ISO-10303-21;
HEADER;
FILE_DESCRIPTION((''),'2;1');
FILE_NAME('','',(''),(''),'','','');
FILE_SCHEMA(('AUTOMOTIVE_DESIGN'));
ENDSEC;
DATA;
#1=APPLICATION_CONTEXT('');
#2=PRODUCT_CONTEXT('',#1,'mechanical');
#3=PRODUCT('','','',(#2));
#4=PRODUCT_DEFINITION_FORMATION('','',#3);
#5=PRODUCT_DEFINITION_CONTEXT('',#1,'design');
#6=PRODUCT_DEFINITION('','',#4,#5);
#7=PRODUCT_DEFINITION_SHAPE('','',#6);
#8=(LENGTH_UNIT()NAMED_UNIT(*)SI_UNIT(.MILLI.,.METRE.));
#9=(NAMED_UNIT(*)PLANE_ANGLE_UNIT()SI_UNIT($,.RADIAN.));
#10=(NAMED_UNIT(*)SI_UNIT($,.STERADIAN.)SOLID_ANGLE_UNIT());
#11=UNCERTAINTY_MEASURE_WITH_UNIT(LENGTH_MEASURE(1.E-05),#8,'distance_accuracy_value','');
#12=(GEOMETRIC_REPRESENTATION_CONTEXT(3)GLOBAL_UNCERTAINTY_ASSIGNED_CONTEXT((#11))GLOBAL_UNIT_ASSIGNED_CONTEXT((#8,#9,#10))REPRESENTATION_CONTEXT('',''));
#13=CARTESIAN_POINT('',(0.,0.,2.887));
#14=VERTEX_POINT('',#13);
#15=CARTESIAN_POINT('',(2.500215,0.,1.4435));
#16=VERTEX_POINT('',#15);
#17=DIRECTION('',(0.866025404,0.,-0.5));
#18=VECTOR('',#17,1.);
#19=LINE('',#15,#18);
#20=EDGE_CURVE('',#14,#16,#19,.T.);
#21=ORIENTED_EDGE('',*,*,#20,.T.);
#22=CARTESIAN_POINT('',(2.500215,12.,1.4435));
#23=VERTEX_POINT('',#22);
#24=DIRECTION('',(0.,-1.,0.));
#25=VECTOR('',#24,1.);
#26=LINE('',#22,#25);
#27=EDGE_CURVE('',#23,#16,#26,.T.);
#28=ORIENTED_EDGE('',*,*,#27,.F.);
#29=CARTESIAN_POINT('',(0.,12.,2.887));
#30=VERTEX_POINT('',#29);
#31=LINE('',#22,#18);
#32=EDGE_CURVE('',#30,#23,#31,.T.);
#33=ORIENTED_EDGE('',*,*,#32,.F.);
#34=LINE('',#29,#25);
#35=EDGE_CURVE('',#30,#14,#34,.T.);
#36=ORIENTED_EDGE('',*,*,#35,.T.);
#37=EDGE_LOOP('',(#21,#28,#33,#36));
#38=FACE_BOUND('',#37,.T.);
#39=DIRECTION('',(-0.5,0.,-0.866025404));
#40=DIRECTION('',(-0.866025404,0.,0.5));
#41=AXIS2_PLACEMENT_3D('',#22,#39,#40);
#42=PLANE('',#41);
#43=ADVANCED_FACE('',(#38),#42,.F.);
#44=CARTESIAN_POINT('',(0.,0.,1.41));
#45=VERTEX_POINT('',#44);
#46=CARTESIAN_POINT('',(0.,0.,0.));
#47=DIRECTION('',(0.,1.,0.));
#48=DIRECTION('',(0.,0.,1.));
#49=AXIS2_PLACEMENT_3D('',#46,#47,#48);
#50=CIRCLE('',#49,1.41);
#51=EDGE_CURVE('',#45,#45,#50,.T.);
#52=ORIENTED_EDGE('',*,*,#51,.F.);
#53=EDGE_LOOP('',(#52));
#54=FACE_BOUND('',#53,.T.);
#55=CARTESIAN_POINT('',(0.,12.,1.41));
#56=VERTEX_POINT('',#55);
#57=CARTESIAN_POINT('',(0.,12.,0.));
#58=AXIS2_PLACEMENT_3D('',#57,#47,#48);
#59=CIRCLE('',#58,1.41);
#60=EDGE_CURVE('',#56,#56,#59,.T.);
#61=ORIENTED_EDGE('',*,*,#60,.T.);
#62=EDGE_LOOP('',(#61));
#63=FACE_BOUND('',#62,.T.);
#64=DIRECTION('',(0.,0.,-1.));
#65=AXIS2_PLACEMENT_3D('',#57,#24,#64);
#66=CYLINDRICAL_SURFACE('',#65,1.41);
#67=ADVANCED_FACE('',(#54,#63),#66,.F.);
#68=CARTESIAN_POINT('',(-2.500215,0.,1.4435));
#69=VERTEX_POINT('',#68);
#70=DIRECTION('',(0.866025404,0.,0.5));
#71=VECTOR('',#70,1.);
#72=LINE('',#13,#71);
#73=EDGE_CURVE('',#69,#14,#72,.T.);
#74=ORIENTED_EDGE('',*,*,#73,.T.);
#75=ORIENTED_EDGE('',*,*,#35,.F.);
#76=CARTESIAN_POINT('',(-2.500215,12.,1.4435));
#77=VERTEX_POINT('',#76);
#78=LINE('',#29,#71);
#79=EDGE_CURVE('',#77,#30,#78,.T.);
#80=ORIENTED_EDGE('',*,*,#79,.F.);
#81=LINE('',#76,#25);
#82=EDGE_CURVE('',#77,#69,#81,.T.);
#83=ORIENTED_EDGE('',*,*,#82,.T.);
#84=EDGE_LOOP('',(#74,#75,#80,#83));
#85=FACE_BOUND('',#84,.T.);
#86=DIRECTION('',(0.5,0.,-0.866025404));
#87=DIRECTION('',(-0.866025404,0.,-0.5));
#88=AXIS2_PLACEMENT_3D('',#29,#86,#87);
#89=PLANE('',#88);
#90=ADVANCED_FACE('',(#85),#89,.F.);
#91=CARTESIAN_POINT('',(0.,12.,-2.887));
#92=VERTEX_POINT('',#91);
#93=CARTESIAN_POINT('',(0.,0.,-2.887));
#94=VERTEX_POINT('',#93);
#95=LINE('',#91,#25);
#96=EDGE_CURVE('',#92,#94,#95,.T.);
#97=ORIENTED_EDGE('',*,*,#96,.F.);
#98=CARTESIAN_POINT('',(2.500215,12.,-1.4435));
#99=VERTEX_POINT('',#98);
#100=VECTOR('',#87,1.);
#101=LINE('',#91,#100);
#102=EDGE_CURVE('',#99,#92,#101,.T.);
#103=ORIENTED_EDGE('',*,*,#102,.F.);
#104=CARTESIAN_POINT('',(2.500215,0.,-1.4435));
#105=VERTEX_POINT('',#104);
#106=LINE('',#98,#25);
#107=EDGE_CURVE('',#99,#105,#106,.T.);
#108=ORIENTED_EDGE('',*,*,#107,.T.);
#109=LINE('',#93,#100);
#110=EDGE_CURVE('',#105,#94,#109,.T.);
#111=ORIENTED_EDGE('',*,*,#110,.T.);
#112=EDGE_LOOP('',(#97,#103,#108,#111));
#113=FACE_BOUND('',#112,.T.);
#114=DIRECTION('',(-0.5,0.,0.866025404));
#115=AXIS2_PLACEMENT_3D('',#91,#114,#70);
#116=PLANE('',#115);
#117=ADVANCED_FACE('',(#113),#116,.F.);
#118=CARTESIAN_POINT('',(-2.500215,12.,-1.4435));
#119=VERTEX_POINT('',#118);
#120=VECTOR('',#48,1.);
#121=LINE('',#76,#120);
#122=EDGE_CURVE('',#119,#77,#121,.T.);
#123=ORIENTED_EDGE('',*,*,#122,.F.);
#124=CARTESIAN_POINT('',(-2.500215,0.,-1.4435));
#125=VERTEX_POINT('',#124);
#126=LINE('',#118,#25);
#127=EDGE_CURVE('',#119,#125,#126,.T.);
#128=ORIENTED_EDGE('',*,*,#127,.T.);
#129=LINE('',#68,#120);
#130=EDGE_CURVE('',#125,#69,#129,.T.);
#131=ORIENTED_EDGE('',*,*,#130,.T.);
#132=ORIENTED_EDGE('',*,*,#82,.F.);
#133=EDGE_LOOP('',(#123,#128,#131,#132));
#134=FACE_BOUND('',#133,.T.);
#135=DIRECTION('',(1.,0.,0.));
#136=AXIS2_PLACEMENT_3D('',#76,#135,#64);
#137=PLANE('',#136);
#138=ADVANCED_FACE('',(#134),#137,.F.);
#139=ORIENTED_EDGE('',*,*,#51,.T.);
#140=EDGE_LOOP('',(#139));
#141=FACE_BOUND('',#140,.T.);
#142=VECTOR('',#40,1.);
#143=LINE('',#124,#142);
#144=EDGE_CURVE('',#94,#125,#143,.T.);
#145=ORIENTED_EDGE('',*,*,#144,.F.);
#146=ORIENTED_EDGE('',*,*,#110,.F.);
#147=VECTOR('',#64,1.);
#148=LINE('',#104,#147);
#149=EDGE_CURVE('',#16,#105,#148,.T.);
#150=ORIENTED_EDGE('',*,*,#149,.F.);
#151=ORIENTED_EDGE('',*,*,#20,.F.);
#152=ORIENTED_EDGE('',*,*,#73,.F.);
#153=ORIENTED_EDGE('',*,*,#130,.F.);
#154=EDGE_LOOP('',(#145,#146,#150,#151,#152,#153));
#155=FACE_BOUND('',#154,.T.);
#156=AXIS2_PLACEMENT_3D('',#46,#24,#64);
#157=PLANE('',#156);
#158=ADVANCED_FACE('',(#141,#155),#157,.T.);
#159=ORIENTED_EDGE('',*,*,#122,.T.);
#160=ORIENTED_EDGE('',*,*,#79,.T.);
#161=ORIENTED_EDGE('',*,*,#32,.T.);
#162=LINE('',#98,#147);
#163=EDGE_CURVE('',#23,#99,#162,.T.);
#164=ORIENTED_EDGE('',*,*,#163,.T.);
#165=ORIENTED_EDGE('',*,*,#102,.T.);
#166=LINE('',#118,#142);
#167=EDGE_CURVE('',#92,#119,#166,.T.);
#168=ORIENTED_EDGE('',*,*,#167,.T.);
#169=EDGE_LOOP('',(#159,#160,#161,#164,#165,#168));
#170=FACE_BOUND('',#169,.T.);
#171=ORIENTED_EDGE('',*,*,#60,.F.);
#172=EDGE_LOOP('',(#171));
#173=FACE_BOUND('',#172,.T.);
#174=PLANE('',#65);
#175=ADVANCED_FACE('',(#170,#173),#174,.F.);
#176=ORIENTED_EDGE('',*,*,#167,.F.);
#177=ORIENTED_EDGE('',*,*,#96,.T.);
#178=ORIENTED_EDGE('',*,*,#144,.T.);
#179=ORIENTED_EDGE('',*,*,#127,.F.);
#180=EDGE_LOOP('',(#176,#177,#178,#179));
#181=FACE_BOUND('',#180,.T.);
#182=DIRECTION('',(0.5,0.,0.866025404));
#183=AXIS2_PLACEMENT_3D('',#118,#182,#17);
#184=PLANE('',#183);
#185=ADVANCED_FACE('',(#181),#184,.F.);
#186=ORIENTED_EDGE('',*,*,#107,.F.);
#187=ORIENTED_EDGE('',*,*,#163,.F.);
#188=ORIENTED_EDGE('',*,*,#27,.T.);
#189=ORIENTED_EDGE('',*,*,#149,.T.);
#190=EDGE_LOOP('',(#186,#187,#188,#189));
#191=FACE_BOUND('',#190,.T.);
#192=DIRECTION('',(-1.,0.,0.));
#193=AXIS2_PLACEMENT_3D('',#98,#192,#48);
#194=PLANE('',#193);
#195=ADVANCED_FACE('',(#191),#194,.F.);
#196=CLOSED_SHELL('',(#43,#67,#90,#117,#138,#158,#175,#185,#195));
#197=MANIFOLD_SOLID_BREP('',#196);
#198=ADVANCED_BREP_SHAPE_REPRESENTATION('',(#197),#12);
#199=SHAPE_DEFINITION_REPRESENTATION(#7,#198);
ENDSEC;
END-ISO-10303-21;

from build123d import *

# Parameters (mm, degrees)
SKETCH1_R           = 1.41
BOSS_EXTRUDE1_DEPTH = 12


with BuildPart() as part:
    # Sketch1 → Boss-Extrude1 (new body)
    with BuildSketch(Plane(origin=(0, 0, 0), x_dir=(1, 0, 0), z_dir=(0, 1, 0))):
        Polygon((0, 2.887), (2.500215341, 1.4435), (2.500215341, -1.4435), (0, -2.887), (-2.500215341, -1.4435), (-2.500215341, 1.4435), align=None)
        with Locations(Location((0, 0, 0), (0, 0, 270))):
            Circle(SKETCH1_R, mode=Mode.SUBTRACT)
    extrude(amount=BOSS_EXTRUDE1_DEPTH)


solid = part.part
